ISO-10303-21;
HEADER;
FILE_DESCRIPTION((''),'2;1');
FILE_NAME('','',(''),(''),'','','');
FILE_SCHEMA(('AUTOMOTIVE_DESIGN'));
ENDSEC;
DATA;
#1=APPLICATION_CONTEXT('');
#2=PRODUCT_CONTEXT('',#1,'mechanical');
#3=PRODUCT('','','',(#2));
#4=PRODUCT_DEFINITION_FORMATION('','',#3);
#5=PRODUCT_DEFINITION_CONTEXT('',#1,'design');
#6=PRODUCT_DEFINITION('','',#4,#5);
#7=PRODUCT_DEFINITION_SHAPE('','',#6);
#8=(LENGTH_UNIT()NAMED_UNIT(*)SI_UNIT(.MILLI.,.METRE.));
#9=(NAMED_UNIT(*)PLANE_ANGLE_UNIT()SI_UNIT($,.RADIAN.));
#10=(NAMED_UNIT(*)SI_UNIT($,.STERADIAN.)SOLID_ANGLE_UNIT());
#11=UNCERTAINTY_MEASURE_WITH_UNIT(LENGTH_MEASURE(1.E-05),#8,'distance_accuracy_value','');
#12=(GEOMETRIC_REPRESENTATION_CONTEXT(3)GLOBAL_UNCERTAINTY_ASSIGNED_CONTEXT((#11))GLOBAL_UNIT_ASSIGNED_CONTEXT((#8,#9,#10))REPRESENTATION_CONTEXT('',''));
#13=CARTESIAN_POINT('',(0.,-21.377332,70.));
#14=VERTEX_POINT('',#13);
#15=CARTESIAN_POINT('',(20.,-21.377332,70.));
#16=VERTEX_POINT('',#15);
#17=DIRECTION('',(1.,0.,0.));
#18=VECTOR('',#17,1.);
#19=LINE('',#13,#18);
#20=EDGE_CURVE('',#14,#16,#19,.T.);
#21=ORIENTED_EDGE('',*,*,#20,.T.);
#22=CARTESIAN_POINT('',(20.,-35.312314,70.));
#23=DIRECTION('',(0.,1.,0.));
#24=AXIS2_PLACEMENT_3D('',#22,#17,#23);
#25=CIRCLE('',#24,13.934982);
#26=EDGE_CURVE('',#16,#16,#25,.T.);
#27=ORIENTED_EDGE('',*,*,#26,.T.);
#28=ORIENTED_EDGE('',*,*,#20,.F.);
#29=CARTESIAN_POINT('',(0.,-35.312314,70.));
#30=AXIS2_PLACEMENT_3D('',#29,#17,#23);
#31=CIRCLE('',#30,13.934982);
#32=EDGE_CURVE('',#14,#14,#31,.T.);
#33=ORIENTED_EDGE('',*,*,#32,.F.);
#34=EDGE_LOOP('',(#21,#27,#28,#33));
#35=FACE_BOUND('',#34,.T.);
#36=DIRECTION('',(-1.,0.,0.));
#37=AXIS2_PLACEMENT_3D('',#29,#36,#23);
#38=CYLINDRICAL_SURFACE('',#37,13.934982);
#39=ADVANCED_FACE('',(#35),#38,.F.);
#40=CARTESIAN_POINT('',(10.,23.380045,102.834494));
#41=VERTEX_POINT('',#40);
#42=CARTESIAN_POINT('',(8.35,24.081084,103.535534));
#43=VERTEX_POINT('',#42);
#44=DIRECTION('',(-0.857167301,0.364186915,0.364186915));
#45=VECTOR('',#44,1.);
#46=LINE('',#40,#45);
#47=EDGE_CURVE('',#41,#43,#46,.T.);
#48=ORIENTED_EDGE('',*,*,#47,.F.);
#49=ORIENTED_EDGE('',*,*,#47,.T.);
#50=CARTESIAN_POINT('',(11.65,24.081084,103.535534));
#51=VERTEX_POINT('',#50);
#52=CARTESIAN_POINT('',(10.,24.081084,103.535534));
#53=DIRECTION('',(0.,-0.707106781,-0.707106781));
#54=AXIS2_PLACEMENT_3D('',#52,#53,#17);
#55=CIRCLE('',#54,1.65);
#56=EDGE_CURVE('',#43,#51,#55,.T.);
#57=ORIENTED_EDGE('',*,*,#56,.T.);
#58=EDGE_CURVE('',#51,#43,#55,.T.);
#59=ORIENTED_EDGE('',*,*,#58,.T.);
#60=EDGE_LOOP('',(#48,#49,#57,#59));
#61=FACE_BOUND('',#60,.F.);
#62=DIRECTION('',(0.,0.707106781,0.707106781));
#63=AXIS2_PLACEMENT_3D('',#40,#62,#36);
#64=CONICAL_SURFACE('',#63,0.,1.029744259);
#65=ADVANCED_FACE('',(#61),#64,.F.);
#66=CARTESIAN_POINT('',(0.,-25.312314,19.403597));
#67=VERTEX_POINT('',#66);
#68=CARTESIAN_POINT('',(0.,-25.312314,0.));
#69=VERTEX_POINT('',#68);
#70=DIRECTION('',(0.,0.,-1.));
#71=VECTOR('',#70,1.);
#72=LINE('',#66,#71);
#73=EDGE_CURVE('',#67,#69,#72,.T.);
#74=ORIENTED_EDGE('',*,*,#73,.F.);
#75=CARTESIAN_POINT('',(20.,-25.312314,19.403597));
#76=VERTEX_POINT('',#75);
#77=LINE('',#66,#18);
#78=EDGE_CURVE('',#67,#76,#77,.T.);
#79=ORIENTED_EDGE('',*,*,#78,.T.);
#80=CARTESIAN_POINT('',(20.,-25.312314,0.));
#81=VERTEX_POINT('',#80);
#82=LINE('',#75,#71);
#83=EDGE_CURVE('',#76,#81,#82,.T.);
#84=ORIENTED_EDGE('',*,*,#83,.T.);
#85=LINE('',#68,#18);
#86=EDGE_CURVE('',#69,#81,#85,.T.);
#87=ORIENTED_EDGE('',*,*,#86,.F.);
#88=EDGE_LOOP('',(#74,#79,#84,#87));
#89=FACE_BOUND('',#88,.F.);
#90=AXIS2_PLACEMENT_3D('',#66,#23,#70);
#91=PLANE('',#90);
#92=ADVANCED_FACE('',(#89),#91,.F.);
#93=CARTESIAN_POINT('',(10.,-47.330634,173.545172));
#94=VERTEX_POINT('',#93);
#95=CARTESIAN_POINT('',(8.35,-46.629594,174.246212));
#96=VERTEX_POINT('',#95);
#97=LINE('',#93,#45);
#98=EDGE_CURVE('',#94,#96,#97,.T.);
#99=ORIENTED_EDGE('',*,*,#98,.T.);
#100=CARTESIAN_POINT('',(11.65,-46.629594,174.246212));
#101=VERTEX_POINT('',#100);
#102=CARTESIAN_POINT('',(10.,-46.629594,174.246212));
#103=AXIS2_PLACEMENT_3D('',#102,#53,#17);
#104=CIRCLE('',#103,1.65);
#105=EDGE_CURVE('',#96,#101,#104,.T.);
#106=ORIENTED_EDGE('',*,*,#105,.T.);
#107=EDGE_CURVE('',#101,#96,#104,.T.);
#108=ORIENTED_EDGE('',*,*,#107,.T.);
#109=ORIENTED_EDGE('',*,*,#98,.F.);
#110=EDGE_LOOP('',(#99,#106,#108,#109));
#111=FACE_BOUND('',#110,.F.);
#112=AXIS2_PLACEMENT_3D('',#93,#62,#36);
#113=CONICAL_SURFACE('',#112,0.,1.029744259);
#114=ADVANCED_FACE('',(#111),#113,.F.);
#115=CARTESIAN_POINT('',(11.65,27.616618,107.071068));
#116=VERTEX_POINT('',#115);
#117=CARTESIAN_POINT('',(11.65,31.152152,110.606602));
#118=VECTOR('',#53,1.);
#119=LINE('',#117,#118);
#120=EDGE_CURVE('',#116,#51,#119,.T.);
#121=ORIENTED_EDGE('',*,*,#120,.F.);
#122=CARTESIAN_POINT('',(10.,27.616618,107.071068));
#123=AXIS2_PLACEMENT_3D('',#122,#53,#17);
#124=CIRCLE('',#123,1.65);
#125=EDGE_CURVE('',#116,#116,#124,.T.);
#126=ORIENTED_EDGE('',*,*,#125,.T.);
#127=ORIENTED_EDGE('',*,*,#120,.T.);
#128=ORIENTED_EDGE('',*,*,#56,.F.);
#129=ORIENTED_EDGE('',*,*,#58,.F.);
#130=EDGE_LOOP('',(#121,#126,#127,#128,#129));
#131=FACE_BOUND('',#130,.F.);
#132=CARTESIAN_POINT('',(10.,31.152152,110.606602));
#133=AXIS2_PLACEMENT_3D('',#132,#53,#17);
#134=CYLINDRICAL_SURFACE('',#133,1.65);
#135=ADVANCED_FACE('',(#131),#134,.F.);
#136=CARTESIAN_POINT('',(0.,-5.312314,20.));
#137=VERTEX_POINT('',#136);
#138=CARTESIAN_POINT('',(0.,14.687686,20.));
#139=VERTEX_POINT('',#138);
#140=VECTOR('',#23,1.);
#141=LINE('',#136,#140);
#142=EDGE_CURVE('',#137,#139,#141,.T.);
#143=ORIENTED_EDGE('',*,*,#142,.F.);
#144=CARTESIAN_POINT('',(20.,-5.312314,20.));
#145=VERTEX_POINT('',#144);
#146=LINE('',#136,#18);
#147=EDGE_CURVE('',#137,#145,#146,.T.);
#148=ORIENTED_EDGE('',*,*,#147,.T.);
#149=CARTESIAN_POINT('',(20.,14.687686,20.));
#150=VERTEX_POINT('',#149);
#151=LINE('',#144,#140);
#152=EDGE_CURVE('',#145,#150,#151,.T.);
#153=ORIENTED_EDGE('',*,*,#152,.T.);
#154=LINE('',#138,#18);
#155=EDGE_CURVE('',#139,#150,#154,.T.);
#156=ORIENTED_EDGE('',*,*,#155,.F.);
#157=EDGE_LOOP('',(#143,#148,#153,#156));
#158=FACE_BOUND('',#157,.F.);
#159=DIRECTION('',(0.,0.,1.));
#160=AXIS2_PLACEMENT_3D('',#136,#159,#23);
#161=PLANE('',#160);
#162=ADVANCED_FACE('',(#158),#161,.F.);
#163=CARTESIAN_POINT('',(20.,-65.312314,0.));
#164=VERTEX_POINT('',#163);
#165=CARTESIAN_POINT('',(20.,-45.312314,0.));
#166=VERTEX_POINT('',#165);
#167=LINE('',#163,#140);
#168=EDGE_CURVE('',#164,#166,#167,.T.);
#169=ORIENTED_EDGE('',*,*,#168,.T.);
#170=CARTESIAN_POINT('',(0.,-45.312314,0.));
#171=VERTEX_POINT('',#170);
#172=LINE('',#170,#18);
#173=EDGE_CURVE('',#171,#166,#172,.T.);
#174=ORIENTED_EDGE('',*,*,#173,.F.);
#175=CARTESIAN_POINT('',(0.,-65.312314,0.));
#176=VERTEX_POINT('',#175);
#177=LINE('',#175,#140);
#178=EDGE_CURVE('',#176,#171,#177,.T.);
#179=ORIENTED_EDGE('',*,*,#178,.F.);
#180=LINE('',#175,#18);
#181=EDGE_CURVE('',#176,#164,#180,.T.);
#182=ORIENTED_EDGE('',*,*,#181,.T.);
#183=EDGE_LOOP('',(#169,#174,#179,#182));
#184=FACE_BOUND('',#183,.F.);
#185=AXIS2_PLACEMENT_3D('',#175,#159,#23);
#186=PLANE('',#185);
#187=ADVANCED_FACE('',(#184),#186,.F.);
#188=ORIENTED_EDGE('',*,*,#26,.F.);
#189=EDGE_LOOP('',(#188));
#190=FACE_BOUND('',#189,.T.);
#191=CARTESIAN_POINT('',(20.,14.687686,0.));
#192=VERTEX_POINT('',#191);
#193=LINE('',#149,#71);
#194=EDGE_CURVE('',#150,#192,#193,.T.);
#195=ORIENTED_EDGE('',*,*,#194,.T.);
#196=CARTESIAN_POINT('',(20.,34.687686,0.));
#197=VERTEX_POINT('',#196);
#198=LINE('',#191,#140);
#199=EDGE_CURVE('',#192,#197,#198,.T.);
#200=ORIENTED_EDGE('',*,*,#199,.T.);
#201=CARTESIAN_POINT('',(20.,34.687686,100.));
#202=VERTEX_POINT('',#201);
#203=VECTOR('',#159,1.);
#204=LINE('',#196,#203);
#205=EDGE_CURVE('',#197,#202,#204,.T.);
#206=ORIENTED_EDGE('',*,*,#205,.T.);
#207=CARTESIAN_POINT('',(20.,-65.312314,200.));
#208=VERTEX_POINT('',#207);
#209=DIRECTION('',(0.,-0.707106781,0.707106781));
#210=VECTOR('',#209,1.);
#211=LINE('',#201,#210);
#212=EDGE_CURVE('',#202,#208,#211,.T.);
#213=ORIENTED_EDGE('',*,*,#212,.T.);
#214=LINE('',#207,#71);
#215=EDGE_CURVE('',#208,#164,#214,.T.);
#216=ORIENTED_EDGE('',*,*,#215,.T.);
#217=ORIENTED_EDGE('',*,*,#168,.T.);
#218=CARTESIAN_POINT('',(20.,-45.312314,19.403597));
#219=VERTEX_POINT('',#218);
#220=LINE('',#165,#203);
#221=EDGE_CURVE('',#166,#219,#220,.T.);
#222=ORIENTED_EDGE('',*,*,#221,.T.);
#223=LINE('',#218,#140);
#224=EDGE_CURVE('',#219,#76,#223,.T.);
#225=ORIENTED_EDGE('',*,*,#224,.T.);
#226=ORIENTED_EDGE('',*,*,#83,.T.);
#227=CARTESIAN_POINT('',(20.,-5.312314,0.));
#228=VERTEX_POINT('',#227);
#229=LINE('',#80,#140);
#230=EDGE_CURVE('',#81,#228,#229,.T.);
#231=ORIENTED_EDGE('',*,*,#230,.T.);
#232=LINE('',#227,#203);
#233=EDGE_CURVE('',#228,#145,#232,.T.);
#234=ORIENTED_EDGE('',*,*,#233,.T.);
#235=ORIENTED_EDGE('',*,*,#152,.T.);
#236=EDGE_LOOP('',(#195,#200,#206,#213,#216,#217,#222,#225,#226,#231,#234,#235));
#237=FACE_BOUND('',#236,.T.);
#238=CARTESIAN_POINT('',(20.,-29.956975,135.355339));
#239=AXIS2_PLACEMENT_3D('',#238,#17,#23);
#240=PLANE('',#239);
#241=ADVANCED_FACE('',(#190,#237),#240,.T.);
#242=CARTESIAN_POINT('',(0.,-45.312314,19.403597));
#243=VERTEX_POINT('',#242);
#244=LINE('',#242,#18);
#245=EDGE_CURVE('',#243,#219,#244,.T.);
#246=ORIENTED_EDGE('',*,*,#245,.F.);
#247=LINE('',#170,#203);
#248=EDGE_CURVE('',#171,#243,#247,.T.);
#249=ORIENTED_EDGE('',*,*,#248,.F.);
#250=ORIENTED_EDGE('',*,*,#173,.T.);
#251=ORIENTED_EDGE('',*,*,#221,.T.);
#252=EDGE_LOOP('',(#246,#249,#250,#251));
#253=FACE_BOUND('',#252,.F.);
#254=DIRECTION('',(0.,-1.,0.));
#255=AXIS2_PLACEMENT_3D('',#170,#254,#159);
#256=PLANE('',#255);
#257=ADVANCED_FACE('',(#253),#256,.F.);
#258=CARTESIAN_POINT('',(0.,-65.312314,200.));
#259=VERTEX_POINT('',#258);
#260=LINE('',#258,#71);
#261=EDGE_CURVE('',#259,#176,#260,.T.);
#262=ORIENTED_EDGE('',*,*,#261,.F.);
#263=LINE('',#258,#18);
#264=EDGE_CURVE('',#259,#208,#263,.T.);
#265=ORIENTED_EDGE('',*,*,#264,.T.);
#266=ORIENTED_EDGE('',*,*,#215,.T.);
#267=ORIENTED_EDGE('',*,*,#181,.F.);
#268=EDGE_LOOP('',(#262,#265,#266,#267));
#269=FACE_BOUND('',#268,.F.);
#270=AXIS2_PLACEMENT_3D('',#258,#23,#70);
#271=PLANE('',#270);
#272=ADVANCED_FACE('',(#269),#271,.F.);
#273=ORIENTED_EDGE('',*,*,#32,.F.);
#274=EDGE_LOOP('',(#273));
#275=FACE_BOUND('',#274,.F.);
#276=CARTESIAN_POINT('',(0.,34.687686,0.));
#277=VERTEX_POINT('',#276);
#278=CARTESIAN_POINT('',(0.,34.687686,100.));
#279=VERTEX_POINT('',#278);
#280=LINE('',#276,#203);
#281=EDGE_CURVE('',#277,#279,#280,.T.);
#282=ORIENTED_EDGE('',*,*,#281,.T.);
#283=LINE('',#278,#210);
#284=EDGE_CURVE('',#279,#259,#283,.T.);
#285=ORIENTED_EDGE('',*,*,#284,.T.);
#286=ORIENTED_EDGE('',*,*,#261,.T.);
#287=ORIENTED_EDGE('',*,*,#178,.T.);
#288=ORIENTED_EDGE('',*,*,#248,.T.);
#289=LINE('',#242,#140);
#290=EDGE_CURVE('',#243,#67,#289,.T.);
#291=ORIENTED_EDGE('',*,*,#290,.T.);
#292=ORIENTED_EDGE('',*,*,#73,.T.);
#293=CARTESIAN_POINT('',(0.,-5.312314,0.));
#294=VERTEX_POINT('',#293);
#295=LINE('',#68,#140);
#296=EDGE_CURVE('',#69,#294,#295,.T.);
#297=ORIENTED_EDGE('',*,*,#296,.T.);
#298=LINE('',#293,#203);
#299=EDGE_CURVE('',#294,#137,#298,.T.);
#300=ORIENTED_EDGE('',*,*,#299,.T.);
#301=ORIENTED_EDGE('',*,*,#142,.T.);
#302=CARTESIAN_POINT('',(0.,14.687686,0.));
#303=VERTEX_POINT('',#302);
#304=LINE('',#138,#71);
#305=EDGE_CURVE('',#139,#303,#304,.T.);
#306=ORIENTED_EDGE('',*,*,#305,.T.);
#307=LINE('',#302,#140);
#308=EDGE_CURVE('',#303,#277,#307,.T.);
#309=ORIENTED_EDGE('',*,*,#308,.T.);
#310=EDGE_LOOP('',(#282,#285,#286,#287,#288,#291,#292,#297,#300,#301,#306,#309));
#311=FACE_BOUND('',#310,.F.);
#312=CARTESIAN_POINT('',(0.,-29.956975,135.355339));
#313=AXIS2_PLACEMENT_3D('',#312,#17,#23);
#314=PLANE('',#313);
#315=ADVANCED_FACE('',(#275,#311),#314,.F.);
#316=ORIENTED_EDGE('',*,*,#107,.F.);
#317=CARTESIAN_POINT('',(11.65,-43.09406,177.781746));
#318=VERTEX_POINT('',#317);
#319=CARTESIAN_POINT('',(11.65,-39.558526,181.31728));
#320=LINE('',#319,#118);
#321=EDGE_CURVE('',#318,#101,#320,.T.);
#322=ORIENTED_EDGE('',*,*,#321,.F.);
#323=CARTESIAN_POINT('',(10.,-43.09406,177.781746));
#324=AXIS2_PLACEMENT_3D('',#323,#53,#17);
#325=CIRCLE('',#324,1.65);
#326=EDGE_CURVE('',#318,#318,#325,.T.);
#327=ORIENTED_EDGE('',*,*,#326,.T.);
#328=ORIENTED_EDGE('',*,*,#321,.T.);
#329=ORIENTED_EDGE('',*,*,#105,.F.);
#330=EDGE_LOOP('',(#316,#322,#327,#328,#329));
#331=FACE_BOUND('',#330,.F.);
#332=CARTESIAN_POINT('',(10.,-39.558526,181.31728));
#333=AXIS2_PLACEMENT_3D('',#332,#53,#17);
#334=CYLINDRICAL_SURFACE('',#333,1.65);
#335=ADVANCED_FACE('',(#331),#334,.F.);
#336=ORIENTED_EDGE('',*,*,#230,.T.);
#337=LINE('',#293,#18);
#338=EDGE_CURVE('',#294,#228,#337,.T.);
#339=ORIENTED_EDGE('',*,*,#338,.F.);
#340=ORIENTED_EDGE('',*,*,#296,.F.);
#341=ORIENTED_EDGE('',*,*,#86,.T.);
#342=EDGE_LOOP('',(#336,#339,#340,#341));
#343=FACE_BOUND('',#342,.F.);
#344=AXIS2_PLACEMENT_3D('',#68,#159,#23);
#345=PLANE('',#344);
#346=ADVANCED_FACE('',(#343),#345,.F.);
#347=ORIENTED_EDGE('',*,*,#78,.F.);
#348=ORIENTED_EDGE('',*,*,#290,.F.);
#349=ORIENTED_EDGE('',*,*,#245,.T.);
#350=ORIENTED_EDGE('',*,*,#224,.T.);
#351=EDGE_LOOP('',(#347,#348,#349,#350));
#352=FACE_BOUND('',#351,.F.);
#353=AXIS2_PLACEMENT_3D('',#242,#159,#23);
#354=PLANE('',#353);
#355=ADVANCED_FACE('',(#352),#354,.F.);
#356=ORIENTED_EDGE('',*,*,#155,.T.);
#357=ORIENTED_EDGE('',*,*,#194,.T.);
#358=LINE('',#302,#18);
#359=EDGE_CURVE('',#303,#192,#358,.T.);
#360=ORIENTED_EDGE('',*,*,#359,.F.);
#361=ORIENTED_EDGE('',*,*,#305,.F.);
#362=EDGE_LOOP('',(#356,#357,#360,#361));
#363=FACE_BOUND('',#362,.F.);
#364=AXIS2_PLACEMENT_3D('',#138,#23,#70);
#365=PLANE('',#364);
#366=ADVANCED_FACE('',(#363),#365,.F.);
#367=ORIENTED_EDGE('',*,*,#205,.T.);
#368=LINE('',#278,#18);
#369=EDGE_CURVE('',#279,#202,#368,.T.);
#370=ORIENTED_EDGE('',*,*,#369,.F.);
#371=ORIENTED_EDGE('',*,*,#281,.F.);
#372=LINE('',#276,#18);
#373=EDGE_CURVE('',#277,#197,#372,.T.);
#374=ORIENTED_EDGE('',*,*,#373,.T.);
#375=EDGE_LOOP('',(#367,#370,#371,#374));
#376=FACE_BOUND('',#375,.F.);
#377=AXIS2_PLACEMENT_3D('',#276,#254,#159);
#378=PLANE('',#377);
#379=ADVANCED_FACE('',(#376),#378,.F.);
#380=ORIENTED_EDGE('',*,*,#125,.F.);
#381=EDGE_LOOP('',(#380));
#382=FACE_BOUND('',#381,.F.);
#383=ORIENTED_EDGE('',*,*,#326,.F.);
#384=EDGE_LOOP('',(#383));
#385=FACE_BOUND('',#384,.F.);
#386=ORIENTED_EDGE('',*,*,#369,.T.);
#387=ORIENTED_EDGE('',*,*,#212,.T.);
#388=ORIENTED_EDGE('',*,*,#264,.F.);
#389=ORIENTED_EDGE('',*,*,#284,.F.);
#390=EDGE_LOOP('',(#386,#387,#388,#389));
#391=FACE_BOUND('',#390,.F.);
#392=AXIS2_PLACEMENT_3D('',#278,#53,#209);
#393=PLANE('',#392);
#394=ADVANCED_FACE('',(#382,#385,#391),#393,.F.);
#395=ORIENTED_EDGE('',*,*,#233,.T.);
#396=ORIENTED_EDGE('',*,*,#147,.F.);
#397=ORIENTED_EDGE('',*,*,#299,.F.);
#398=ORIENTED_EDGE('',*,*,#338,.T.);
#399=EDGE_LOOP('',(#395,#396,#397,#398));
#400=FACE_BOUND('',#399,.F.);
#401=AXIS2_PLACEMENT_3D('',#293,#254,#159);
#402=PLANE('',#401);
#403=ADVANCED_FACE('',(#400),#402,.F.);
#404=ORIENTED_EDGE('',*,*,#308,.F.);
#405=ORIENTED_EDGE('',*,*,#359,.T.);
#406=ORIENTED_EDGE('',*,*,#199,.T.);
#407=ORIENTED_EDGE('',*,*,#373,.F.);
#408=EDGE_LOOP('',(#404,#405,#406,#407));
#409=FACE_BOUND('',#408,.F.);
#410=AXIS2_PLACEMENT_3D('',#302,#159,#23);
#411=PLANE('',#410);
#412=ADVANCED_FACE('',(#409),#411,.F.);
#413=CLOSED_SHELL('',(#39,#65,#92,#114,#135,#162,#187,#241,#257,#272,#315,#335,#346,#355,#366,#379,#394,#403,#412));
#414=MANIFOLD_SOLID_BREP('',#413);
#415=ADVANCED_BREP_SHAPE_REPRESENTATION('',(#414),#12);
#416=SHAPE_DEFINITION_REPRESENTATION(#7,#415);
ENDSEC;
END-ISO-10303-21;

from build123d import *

# Parameters (mm, degrees)
F0_R     = 13.9349821394
F1_DEPTH = 20
F3_D     = 3.3
F3_DEPTH = 5
F3_TIP   = 0.9914200214


with BuildPart() as f1:
    # F0 (on Right) → F1 (new body)
    with BuildSketch(Plane.YZ):
        Polygon((-65.3123139198, 200), (-65.3123139198, 100), (34.6876860802, 100), align=None)
        Polygon((-65.3123139198, 100), (-65.3123139198, 0), (-45.3123139198, 0), (-45.3123139198, 19.40359734), (-25.3123139198, 19.40359734), (-25.3123139198, 0), (-5.3123139198, 0), (-5.3123139198, 20), (14.6876860802, 20), (14.6876860802, 0), (34.6876860802, 0), (34.6876860802, 100), align=None)
        with Locations((-35.3123139198, 70)):
            Circle(F0_R, mode=Mode.SUBTRACT)
    extrude(amount=F1_DEPTH)

    # F3
    with Locations(Plane(origin=(0, 67.3438430401, 67.3438430401), x_dir=(-1, 0, 0), z_dir=(0, 0.7071067812, 0.7071067812))):
        with Locations((-10, 56.1827800676), (-10, 156.1827800676)):
            Hole(F3_D / 2, depth=F3_DEPTH)
            with Locations((0, 0, -(F3_DEPTH + F3_TIP / 2))):  # 118° drill point
                Cone(0, F3_D / 2, F3_TIP, mode=Mode.SUBTRACT)


solid = f1.part
